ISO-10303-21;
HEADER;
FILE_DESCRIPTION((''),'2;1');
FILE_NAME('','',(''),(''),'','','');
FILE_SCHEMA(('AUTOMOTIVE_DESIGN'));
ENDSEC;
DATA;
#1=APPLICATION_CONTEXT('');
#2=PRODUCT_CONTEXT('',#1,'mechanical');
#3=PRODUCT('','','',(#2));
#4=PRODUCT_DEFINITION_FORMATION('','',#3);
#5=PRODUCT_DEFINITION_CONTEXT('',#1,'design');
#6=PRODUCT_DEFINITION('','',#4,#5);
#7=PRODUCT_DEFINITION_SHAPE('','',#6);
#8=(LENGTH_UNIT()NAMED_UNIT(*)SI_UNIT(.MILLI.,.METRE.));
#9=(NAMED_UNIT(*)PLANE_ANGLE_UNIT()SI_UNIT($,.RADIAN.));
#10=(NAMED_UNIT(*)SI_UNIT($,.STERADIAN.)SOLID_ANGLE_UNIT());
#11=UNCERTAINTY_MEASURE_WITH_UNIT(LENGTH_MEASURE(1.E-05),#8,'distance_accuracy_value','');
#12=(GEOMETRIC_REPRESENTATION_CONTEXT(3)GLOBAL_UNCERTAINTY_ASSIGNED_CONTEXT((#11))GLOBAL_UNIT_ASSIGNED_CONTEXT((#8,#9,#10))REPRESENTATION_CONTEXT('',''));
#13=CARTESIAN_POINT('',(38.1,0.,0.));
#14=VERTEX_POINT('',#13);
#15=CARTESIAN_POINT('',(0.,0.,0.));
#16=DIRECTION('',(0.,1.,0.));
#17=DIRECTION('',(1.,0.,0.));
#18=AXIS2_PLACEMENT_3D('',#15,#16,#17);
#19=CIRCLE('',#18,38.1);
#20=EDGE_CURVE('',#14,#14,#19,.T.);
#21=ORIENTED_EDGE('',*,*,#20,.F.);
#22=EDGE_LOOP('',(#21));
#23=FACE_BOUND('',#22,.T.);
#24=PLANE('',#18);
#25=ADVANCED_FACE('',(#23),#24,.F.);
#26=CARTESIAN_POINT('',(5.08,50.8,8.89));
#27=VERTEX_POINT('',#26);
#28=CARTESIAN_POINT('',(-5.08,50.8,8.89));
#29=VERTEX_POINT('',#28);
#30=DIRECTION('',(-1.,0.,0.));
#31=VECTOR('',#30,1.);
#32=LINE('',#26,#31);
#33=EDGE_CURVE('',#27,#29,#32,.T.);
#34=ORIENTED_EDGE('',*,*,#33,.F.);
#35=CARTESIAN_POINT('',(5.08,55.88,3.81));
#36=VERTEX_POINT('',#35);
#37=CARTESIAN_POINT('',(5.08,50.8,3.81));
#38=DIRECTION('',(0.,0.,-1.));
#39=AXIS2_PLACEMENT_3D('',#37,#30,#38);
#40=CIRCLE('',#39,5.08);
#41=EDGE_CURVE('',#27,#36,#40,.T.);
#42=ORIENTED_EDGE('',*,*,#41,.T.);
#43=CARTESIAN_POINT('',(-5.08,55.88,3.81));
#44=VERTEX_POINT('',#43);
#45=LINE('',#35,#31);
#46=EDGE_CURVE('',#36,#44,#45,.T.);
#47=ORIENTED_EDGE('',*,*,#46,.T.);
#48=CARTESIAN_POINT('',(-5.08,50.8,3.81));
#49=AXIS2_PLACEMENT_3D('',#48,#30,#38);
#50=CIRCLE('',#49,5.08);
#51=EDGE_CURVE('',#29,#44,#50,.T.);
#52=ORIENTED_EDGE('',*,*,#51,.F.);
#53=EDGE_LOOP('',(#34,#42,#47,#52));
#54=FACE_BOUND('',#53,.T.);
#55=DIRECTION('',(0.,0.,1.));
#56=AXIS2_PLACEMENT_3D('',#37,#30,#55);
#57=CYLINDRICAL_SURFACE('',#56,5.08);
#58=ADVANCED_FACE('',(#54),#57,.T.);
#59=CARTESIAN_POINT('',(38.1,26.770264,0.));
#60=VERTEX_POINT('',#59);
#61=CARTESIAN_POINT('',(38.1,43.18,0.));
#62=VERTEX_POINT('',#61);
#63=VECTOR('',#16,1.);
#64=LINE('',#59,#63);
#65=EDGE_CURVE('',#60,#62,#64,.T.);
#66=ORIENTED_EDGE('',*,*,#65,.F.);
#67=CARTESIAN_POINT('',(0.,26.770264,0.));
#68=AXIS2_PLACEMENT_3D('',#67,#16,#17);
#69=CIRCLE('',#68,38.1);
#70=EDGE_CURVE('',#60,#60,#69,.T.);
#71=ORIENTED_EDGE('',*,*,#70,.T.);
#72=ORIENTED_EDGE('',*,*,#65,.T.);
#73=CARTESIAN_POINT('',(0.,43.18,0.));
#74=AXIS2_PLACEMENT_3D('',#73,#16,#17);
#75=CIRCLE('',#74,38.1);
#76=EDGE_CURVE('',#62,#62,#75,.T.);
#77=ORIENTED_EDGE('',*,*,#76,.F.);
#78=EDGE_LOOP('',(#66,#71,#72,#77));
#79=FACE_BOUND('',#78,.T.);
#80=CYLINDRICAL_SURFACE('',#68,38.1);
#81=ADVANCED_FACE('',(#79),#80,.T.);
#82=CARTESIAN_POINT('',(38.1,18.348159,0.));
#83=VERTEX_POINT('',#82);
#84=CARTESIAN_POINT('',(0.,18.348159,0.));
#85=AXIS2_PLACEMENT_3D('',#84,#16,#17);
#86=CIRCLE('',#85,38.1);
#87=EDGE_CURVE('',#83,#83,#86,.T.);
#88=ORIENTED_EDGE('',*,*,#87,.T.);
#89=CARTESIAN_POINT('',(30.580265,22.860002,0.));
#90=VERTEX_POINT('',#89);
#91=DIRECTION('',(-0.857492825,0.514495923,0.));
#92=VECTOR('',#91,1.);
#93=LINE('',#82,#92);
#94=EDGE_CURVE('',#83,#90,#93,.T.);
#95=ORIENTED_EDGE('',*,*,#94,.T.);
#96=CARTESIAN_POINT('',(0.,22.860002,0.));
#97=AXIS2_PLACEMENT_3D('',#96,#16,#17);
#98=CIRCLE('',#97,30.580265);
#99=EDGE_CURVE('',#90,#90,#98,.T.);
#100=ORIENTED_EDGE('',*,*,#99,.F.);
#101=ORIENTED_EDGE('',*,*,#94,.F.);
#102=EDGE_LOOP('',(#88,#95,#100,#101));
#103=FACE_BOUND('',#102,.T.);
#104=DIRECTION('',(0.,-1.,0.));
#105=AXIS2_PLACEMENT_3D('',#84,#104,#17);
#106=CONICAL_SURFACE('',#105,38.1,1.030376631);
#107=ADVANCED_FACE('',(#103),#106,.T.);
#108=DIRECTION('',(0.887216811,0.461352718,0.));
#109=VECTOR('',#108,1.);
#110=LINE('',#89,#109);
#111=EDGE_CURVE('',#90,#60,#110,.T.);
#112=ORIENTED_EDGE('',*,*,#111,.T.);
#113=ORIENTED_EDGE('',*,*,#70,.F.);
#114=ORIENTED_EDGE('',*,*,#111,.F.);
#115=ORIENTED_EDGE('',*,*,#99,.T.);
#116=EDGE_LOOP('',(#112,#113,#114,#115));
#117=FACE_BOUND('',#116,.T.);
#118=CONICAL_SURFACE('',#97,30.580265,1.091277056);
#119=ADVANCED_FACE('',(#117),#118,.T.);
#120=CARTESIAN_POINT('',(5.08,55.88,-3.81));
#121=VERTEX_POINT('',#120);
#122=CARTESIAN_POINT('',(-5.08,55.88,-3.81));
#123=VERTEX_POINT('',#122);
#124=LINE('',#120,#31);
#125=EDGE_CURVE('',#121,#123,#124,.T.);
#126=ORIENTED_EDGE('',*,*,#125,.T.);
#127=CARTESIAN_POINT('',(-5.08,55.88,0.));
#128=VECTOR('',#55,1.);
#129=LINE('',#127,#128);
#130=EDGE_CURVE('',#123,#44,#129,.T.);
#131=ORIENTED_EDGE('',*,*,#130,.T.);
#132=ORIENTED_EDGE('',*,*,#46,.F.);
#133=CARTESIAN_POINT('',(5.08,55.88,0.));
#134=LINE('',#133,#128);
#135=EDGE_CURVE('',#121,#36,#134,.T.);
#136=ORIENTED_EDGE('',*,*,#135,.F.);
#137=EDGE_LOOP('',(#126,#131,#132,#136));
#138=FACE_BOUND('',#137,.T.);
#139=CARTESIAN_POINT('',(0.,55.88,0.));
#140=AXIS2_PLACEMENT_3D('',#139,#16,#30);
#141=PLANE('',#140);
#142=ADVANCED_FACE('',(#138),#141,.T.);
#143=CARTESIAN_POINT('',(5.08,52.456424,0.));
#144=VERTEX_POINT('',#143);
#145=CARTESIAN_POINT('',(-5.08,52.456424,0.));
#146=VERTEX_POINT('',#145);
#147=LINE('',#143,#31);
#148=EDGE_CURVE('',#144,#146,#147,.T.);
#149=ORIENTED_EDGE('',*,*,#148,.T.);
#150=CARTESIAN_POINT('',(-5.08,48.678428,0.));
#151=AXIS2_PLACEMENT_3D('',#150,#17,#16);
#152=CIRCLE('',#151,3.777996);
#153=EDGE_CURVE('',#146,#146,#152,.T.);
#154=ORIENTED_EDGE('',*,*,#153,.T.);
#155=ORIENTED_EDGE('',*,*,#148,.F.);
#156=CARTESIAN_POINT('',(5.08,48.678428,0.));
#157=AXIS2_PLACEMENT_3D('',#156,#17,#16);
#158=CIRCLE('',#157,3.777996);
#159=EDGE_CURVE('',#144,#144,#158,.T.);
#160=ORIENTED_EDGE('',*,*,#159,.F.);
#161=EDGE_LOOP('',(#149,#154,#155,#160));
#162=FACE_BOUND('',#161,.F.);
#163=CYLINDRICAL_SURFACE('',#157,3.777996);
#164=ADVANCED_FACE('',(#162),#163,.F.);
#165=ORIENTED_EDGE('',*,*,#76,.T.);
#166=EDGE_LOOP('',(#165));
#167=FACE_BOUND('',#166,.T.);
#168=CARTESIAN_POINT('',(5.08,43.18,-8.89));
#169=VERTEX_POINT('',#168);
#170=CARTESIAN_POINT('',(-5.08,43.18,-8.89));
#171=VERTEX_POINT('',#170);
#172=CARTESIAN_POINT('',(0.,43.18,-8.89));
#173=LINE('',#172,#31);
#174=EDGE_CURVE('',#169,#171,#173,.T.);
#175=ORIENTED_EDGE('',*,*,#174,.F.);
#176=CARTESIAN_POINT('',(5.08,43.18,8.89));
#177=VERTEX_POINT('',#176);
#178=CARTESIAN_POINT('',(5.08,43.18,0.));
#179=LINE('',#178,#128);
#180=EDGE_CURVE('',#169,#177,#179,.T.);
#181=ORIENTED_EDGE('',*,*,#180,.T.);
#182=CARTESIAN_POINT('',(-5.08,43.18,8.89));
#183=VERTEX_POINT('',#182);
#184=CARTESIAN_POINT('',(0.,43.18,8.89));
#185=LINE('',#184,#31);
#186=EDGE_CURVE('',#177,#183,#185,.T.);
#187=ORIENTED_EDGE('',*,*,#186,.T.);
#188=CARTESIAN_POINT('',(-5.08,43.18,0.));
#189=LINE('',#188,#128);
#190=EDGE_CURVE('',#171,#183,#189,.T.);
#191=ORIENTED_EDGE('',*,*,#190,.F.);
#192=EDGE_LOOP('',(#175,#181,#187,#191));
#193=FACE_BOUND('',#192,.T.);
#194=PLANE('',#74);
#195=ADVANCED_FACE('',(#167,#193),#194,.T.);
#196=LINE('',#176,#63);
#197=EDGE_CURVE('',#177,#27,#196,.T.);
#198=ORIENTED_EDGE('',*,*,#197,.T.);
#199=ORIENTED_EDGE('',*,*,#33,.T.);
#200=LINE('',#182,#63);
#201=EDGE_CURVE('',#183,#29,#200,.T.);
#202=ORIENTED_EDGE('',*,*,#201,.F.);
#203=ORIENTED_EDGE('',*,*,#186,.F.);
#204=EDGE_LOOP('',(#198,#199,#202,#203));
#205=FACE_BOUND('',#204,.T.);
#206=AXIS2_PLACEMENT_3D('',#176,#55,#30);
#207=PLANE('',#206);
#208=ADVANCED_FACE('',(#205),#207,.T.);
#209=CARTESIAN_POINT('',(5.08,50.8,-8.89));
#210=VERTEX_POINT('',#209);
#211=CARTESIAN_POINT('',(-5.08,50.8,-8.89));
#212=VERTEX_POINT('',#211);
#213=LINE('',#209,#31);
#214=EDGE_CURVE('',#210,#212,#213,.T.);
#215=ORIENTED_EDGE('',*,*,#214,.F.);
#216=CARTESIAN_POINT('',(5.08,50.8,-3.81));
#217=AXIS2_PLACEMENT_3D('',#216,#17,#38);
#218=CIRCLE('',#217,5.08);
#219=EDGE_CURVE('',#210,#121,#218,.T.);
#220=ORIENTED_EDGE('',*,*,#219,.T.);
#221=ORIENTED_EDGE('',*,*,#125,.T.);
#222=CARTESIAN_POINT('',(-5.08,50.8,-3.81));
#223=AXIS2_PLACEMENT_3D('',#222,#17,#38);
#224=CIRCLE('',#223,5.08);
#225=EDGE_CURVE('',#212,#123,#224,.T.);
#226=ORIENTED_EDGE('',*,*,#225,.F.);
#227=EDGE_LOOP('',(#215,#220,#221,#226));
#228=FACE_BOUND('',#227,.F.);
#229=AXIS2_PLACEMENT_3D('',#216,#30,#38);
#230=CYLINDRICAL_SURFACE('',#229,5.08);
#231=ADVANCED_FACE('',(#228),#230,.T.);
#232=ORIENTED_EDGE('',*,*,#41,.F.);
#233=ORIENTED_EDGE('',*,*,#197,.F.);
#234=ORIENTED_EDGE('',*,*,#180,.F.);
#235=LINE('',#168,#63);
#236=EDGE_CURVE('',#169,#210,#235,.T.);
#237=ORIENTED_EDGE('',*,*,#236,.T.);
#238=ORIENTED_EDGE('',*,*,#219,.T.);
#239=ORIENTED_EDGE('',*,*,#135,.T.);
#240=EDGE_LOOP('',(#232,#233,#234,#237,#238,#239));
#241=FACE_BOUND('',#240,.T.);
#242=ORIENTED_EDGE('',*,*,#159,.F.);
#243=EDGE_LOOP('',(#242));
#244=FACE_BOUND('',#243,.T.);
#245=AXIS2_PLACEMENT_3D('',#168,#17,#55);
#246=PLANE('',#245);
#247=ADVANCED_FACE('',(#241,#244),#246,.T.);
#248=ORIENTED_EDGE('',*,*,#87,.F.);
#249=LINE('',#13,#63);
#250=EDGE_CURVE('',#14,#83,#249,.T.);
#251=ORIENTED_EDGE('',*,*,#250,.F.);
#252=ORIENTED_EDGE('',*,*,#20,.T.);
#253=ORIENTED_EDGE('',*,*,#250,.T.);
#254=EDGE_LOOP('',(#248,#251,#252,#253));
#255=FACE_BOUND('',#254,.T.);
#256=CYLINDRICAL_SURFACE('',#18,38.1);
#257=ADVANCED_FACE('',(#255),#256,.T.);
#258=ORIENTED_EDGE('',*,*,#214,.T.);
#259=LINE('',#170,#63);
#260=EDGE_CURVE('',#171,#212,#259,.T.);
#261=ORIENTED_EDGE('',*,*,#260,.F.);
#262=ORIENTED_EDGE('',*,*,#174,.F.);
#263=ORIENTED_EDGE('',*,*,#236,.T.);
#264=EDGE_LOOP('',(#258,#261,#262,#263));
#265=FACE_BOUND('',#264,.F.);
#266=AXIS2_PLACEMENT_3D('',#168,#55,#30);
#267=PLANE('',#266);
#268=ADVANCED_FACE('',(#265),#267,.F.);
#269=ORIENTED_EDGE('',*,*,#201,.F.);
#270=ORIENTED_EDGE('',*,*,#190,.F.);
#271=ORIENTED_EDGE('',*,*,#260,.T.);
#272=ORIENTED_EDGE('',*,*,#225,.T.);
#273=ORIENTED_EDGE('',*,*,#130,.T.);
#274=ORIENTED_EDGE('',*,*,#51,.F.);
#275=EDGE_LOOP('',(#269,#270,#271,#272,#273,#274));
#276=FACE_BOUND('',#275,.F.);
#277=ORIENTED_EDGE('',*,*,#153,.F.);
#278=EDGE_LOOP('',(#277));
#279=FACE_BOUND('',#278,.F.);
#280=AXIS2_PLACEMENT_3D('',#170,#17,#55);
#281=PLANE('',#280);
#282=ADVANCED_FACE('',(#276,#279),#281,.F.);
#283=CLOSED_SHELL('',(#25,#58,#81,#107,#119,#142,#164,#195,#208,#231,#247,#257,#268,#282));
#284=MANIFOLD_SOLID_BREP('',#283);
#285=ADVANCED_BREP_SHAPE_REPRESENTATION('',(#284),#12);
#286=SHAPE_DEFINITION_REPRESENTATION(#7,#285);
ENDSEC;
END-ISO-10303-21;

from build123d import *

# Parameters (mm, degrees)
F2_W     = 10.16
F2_H     = 17.78
F3_DEPTH = 12.7
F4_R     = 5.08
F5_R     = 3.777996
F6_DEPTH = 25.4


with BuildPart() as f1:
    # F0 (on Top) → F1 (revolve)
    with BuildSketch(Plane.XY):
        Polygon((0, 0), (38.1, 0), (38.1, 18.348159), (30.580265, 22.860002), (38.1, 26.770264), (38.1, 43.18), (0, 43.18), align=None)
    revolve(axis=Axis((0, 21.59, 0), (0, 1, 0)))

    # F2 (on face) → F3 (join)
    with BuildSketch(Plane(origin=(0, 43.18, 0), x_dir=(-1, 0, 0), z_dir=(0, 1, 0))):
        Rectangle(F2_W, F2_H)
    extrude(amount=F3_DEPTH)

    # F4
    f4_edges = [f1.edges().sort_by_distance(p)[0] for p in [
        (0, 55.88, 8.89),
        (0, 55.88, -8.89),
    ]]
    fillet(f4_edges, radius=F4_R)

    # F5 (on face) → F6 (cut)
    with BuildSketch(Plane.YZ.offset(5.08)):
        with Locations((48.678428, 0)):
            Circle(F5_R)
    extrude(amount=-F6_DEPTH, mode=Mode.SUBTRACT)


solid = f1.part
